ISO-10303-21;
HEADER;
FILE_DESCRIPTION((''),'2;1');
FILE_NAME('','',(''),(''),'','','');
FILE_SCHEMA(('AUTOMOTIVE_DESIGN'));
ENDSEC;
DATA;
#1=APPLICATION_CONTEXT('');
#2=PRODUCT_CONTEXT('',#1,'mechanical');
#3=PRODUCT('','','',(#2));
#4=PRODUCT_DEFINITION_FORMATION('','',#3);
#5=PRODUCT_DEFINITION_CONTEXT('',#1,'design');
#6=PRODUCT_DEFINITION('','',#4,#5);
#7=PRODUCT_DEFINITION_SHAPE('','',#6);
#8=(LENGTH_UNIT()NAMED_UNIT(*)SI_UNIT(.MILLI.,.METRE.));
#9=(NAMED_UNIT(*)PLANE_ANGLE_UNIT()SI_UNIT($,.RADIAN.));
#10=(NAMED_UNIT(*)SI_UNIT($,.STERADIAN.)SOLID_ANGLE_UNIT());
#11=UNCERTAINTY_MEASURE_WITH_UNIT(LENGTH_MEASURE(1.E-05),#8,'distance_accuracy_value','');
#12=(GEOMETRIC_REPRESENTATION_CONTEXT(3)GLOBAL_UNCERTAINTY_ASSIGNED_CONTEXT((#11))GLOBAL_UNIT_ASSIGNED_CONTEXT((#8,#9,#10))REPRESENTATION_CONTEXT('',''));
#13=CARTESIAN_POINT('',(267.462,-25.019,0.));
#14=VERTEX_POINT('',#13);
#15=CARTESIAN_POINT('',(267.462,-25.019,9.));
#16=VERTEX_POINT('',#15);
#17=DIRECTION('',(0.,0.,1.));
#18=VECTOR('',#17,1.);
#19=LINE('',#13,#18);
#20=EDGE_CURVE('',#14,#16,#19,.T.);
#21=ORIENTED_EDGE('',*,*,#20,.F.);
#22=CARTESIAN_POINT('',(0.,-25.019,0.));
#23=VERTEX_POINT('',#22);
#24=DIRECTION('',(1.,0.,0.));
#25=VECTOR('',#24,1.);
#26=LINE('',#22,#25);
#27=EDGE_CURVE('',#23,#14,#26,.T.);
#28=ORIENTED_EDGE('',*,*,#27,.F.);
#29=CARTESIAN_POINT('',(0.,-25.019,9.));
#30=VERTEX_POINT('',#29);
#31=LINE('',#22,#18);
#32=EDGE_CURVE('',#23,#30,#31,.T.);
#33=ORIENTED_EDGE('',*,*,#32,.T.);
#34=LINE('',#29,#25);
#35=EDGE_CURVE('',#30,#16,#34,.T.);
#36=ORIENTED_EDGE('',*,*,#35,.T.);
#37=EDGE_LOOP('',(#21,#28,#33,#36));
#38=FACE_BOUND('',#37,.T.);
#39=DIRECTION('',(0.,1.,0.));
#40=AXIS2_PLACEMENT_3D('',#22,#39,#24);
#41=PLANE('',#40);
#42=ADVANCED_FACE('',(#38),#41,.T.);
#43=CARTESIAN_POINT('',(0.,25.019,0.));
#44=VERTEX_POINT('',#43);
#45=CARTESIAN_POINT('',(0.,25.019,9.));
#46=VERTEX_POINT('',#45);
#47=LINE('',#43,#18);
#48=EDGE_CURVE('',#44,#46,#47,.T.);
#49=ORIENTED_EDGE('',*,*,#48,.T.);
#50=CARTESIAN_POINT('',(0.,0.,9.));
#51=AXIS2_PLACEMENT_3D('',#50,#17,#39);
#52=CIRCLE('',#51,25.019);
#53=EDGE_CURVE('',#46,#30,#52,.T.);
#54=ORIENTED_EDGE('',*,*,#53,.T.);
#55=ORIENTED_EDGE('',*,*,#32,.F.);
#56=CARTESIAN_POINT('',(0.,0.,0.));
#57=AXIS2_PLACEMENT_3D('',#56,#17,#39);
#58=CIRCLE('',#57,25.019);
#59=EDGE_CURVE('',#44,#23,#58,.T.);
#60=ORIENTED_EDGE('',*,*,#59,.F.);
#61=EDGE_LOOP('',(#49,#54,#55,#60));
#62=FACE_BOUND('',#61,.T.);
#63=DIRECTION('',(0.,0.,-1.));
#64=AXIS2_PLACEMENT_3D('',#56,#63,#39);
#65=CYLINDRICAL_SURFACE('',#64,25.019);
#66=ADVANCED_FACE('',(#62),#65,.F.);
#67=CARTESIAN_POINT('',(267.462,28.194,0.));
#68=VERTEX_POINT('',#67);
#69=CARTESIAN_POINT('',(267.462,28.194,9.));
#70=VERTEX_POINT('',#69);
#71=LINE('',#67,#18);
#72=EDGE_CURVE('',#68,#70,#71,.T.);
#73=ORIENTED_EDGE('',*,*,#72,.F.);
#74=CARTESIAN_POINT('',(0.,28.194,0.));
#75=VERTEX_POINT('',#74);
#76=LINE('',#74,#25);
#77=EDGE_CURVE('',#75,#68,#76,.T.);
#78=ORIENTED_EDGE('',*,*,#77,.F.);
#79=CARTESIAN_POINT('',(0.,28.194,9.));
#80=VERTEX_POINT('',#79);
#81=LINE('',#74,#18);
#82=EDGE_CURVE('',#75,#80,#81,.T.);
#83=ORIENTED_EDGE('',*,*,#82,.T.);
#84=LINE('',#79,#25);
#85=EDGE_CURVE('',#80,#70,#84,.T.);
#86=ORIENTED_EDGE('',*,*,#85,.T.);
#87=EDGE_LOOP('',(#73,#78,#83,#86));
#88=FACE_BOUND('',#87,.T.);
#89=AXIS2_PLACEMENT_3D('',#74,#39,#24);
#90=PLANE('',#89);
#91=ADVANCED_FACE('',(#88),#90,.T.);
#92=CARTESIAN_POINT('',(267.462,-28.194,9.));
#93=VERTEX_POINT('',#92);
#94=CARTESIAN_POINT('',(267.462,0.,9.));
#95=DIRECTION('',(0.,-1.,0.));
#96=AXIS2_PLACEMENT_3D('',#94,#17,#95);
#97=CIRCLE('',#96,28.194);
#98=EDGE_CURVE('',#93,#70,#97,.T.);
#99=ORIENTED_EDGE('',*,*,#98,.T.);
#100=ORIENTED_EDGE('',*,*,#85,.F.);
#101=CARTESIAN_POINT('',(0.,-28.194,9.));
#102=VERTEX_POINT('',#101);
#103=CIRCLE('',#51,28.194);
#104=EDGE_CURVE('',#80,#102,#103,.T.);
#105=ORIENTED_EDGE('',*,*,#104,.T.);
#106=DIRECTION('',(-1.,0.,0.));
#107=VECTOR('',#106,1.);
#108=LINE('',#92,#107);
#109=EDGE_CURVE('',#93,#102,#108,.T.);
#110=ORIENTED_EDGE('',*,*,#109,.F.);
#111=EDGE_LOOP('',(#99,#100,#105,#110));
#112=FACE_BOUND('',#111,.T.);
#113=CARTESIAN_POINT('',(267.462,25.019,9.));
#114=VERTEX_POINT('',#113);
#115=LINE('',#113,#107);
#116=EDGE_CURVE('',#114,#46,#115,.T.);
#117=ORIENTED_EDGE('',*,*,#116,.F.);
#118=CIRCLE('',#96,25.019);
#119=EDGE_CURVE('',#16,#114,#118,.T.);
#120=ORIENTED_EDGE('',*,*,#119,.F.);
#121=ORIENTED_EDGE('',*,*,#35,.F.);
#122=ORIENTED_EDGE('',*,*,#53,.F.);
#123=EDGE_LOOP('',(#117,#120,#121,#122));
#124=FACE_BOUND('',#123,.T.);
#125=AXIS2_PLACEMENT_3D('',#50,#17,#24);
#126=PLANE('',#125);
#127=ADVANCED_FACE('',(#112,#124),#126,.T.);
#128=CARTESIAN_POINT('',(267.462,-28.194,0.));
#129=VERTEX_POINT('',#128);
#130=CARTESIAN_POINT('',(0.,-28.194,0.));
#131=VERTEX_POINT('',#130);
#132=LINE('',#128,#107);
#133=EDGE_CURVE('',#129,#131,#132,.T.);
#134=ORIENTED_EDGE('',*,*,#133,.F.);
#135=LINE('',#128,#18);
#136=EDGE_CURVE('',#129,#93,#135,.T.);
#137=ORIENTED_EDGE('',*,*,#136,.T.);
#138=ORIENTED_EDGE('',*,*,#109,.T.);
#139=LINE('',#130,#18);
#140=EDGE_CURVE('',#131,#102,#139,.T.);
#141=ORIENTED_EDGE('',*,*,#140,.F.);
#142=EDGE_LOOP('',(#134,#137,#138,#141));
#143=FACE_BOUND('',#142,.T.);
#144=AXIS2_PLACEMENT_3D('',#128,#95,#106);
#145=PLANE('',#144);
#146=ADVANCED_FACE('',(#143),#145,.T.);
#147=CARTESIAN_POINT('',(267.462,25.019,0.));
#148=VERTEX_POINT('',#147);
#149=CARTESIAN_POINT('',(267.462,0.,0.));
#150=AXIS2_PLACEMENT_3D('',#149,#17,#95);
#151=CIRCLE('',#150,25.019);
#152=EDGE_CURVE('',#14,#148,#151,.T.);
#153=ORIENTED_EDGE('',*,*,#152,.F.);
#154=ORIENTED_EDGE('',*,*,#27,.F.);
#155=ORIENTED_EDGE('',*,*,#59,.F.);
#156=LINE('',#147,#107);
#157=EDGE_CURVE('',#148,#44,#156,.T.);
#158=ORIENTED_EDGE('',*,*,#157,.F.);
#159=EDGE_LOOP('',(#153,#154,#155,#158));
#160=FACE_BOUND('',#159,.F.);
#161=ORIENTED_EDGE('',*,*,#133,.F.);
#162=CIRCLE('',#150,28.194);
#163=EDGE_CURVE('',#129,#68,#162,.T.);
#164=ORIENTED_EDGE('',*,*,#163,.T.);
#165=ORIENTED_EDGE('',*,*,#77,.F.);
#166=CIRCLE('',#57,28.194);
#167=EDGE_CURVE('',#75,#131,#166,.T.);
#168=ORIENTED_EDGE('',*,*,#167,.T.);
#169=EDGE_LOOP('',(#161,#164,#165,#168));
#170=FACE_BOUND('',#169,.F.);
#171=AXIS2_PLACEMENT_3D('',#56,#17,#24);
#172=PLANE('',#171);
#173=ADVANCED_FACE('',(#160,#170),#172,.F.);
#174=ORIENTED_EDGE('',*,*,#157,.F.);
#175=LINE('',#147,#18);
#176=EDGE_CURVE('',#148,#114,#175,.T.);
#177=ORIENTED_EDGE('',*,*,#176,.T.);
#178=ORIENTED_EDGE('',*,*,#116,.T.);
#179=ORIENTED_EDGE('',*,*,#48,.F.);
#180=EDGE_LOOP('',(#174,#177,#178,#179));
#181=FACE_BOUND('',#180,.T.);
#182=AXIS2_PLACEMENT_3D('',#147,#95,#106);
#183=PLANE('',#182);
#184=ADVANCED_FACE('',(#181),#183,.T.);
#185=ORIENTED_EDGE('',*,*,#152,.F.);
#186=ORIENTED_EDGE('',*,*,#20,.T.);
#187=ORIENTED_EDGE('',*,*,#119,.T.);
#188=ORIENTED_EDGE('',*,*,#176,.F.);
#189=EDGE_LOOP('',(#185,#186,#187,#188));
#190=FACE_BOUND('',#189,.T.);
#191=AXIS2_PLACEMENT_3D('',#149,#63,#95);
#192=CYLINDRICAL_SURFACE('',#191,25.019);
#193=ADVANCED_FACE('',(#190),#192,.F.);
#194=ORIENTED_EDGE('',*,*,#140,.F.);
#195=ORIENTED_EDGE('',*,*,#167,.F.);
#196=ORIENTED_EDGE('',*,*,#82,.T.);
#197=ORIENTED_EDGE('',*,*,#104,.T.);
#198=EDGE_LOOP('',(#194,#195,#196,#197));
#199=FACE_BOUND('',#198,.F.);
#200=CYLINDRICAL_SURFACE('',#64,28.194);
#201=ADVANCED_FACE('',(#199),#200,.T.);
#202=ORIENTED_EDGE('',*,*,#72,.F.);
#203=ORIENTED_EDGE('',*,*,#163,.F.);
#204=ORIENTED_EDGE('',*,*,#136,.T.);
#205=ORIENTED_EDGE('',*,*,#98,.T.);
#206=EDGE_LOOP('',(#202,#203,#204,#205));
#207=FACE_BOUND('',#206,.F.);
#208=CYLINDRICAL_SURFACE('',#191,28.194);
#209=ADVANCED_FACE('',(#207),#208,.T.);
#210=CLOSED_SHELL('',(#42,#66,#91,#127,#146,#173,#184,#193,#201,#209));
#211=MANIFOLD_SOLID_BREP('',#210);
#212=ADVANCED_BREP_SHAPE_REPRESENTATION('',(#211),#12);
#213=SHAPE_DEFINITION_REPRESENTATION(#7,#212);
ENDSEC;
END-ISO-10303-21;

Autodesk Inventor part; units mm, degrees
ref_plane "YZ Plane" through (0, 0, 0) normal (1, 0, 0) x (0, 1, 0)
ref_plane "XZ Plane" through (0, 0, 0) normal (0, 1, 0) x (-1, 0, 0)
ref_plane "XY Plane" through (0, 0, 0) normal (0, 0, 1) x (1, 0, 0)
sketch "Sketch1" plane through (0, 0, 0) normal (0, 0, 1) x (1, 0, 0)
  circle A0 centre (0, 0) radius 24.892
  circle A1 centre (267.462, 0) radius 24.892
  line L0 (0, 0) -> (267.462, 0) construction
  line L1 (0, -25.019) -> (267.462, -25.019)
  line L2 (267.462, 25.019) -> (0, 25.019)
  arc A2 (0, 25.019) -> (0, -25.019) centre (0, 0) ccw
  arc A3 (267.462, -25.019) -> (267.462, 25.019) centre (267.462, 0) ccw
  line L3 (0, 28.194) -> (267.462, 28.194)
  arc A4 (267.462, -28.194) -> (267.462, 28.194) centre (267.462, 0) ccw
  line L4 (267.462, -28.194) -> (0, -28.194)
  arc A5 (0, 28.194) -> (0, -28.194) centre (0, 0) ccw
  line L5 (7.3323, 0) -> (3.6662, -6.35)
  line L6 (3.6662, -6.35) -> (-3.6662, -6.35)
  line L7 (-3.6662, -6.35) -> (-7.3323, 0)
  line L8 (-7.3323, 0) -> (-3.6662, 6.35)
  line L9 (-3.6662, 6.35) -> (3.6662, 6.35)
  line L10 (3.6662, 6.35) -> (7.3323, 0)
  line L11 (274.7943, 0) -> (271.1282, -6.35)
  line L12 (271.1282, -6.35) -> (263.7958, -6.35)
  line L13 (263.7958, -6.35) -> (260.1297, 0)
  line L14 (260.1297, 0) -> (263.7958, 6.35)
  line L15 (263.7958, 6.35) -> (271.1282, 6.35)
  line L16 (271.1282, 6.35) -> (274.7943, 0)
  point P0 (133.731, 0)
  dimension "d0" = 49.784
  dimension "d1" = 267.462
  dimension "d2" = 3.175
  dimension "d3" = 0.127
  dimension "d8" = 12.7
extrude "Extrusion2" add sketch "Sketch1" along normal blind 9 contours L3 A4 L4 A5
properties part number "DGB_005_Short Belt_Gates_695-5M-09"
